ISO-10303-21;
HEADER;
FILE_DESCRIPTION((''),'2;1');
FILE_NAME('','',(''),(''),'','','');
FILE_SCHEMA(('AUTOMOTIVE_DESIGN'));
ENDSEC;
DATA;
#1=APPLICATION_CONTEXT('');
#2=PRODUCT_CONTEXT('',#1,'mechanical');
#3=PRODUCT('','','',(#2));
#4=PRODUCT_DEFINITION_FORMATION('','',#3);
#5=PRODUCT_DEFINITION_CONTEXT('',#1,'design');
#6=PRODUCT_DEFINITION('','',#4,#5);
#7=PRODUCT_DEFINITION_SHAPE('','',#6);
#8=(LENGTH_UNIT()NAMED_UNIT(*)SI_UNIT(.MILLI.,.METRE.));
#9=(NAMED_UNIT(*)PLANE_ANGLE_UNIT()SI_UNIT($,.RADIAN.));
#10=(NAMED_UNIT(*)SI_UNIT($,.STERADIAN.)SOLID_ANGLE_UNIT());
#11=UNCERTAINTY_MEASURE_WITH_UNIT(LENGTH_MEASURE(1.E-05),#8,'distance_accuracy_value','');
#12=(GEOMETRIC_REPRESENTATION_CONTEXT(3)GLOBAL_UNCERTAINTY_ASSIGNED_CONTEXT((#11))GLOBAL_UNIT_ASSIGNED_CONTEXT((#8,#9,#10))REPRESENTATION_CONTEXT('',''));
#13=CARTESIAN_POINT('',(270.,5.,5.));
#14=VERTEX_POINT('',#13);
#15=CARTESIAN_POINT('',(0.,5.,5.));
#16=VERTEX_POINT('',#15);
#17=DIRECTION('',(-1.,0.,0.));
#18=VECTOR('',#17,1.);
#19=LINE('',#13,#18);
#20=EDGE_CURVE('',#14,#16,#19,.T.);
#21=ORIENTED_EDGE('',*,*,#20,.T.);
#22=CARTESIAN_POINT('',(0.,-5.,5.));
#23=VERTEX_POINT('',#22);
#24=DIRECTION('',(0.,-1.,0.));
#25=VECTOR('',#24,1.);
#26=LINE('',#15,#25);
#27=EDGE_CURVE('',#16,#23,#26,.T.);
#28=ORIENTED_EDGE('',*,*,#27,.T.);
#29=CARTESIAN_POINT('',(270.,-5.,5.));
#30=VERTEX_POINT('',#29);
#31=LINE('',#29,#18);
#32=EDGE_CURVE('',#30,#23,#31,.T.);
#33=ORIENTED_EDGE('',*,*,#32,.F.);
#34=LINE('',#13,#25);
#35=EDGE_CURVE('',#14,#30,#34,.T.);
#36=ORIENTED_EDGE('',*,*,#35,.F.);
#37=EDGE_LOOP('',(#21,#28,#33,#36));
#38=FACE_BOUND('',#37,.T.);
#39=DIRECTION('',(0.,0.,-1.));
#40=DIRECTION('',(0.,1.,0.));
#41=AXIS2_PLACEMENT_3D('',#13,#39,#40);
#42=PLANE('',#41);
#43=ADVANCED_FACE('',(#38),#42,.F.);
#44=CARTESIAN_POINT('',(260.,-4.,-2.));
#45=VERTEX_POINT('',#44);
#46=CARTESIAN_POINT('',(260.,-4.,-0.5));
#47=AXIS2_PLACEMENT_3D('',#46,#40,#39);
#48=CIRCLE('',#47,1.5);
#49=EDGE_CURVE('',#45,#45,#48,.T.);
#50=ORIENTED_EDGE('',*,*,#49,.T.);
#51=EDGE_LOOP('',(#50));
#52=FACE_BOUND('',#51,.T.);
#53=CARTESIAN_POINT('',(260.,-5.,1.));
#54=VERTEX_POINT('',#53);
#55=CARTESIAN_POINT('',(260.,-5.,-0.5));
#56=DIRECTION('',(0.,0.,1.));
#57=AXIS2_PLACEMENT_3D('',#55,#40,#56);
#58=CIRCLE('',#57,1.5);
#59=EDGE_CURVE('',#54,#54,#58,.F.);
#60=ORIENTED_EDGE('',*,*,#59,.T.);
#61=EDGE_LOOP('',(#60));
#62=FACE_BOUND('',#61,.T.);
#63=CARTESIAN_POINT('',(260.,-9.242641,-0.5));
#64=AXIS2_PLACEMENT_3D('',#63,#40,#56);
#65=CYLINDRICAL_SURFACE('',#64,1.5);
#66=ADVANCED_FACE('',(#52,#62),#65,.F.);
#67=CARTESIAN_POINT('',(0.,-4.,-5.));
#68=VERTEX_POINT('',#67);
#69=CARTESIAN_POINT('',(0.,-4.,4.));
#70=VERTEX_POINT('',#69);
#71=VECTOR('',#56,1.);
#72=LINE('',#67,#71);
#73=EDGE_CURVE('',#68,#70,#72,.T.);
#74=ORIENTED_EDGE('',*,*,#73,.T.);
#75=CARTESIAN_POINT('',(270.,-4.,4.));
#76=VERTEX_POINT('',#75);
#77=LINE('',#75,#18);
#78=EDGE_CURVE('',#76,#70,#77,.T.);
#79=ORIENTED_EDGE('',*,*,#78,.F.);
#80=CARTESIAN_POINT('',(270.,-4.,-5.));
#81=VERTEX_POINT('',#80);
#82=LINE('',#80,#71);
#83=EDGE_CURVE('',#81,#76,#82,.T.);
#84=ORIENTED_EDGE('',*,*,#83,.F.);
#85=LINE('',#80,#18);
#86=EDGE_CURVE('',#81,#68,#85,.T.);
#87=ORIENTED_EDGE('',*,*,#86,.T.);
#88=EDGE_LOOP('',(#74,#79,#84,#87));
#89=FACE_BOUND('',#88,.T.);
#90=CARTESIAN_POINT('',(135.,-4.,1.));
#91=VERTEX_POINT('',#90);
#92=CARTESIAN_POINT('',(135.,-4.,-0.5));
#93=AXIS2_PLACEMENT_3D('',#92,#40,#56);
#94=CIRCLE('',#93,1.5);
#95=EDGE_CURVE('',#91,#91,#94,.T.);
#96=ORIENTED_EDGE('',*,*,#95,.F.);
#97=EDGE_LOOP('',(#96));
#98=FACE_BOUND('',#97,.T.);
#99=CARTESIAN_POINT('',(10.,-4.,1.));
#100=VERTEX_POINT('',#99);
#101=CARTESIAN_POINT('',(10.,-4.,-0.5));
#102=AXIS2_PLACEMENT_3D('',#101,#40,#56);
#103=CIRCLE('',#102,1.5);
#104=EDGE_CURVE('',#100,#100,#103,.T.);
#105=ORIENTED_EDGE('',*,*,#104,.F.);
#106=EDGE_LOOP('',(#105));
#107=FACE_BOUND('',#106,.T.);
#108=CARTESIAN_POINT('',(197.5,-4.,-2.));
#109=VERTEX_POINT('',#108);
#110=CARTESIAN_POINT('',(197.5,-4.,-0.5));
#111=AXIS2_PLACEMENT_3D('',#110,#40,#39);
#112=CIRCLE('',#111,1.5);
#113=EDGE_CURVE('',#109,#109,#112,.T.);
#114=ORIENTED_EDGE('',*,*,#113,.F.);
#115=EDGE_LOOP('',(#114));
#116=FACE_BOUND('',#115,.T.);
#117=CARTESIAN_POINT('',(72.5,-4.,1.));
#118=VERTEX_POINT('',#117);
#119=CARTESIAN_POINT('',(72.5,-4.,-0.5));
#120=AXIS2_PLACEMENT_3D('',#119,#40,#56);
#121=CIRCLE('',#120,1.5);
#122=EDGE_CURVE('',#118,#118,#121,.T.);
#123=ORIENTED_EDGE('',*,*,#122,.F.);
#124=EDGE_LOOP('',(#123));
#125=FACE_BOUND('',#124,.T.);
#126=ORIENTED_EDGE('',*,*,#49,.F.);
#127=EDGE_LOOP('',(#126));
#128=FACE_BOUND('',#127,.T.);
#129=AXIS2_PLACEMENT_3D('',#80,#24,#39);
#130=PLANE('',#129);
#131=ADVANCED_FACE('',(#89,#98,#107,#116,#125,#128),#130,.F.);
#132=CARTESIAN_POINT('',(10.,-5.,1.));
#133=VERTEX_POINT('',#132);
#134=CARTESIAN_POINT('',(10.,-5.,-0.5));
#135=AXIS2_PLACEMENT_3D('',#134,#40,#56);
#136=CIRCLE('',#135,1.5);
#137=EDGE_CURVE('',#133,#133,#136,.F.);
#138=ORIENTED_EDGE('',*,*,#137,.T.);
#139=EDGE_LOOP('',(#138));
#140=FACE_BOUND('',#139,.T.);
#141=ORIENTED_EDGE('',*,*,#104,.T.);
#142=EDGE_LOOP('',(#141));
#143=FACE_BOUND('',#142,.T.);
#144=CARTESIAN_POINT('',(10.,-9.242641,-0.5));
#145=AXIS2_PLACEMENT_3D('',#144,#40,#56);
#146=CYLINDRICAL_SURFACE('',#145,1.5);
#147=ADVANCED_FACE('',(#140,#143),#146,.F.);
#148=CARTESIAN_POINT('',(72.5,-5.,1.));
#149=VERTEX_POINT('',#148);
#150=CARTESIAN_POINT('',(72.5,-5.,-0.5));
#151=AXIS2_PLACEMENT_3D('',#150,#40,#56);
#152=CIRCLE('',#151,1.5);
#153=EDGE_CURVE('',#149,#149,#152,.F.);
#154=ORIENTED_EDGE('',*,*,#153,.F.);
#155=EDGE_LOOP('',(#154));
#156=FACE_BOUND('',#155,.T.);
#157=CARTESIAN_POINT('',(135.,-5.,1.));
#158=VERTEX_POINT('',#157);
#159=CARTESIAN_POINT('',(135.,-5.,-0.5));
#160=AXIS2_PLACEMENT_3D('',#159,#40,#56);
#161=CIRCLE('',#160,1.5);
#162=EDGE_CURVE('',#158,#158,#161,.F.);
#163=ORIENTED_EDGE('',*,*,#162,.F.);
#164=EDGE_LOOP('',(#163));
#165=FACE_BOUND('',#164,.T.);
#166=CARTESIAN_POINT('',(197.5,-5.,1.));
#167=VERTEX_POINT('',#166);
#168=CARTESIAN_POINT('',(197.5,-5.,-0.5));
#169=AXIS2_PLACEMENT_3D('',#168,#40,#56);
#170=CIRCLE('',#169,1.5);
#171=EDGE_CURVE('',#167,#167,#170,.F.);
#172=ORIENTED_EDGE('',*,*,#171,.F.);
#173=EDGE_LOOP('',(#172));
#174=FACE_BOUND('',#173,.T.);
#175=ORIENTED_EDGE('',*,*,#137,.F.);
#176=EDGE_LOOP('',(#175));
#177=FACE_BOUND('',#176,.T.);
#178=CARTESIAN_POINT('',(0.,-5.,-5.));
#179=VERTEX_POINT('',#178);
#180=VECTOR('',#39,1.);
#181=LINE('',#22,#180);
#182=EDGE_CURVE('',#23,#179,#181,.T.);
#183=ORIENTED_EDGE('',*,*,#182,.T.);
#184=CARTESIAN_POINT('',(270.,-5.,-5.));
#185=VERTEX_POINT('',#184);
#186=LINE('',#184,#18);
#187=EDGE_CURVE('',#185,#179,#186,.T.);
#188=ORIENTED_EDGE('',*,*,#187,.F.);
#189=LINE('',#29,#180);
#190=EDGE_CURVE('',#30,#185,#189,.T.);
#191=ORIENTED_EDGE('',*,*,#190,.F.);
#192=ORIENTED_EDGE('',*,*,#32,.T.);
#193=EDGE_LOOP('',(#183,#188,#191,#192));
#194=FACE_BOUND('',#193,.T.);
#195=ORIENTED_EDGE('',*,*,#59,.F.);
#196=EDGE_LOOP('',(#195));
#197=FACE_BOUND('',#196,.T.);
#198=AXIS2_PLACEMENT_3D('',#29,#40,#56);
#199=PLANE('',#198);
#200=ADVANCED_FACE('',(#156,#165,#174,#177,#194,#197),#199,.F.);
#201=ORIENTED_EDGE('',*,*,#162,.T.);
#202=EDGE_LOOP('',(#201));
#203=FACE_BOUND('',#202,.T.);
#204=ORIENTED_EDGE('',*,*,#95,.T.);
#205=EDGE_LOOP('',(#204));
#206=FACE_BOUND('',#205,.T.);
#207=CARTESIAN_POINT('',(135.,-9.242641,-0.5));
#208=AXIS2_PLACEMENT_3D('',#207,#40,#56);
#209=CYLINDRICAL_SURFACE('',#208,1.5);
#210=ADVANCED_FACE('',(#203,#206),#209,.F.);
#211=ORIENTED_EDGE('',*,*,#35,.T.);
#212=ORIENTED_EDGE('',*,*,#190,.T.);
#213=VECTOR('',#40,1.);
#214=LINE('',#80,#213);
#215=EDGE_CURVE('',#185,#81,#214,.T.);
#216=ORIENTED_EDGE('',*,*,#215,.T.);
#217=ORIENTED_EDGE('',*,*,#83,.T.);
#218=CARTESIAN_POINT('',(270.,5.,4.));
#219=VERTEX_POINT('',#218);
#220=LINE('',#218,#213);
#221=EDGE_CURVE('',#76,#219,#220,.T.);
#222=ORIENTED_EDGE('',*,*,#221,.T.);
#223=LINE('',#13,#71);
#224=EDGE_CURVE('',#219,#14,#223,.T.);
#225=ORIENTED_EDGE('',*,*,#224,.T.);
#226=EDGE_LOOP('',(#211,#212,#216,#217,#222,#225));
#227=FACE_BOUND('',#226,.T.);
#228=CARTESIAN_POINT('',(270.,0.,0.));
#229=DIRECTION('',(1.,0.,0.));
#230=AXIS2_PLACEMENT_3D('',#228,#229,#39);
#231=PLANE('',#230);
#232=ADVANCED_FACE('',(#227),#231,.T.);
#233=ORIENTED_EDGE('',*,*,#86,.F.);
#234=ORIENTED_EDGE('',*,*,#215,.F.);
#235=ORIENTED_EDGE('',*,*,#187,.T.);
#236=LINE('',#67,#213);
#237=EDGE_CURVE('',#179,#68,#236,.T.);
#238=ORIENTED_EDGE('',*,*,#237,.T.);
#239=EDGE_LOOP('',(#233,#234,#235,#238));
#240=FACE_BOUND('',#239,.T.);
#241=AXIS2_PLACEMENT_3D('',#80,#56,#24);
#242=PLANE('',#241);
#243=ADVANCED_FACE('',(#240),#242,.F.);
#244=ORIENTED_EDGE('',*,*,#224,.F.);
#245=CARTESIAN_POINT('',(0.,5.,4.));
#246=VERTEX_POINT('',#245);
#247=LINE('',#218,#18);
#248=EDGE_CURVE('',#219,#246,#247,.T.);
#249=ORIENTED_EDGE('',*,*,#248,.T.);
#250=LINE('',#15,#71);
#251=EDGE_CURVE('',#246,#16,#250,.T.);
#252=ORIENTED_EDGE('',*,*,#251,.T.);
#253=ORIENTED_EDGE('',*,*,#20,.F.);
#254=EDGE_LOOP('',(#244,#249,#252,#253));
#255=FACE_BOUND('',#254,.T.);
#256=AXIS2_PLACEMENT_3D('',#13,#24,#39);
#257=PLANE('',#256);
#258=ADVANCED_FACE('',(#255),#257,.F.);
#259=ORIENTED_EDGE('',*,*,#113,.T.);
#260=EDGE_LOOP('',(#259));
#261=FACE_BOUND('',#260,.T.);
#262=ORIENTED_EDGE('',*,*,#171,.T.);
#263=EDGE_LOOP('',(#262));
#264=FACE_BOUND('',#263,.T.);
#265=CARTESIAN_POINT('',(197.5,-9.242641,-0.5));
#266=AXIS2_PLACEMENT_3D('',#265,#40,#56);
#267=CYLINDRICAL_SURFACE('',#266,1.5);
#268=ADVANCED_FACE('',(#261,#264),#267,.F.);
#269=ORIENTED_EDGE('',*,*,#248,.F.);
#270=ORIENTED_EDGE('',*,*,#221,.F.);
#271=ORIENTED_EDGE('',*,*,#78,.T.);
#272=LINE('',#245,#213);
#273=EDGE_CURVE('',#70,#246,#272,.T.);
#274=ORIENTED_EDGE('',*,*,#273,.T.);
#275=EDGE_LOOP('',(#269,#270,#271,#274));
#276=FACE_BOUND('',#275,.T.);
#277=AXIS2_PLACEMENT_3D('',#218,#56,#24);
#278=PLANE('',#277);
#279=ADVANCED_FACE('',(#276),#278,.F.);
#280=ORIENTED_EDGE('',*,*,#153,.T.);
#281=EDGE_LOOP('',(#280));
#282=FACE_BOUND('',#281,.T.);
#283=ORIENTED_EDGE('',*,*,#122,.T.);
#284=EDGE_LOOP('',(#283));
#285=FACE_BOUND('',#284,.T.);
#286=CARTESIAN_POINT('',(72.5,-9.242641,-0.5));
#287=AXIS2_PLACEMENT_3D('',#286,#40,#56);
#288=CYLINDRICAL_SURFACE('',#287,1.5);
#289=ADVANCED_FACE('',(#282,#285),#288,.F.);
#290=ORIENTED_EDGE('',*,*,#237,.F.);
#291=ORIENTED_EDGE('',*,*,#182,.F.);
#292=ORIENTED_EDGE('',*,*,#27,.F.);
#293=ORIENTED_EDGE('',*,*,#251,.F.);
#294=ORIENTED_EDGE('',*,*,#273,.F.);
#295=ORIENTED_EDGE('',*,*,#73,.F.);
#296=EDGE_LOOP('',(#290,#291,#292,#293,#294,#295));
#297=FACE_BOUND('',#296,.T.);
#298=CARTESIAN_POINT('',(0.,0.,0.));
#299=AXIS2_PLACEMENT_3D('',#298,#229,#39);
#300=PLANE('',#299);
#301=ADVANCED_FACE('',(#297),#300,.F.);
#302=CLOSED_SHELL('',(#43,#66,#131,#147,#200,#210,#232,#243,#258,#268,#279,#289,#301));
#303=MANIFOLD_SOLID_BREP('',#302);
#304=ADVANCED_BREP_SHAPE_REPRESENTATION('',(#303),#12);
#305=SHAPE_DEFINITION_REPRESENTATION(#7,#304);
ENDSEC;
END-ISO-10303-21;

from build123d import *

# Parameters (mm, degrees)
EXTRUDE_1_DEPTH     = 270
SKETCH_2_R          = 1.5
CUT_EXTRUDE_1_DEPTH = 1


with BuildPart() as part:
    # Эскиз1 → Бобышка-Вытянуть1 (new body)
    with BuildSketch(Plane(origin=(0, 0, 0), x_dir=(0, 0, -1), z_dir=(1, 0, 0))):
        Polygon((-5, 5), (-4, 5), (-4, -4), (5, -4), (5, -5), (-5, -5), align=None)
    extrude(amount=EXTRUDE_1_DEPTH)

    # Эскиз2 → Вырез-Вытянуть1 (cut)
    with BuildSketch(Plane(origin=(0, -4, 0), x_dir=(1, 0, 0), z_dir=(0, 1, 0))):
        with Locations(Location((135, 0.5, 0), (0, 0, 270))):
            Circle(SKETCH_2_R)
        with Locations(Location((72.5, 0.5, 0), (0, 0, 270))):
            Circle(SKETCH_2_R)
        with Locations(Location((10, 0.5, 0), (0, 0, 270))):
            Circle(SKETCH_2_R)
        with Locations(Location((260, 0.5, 0), (0, 0, 270))):
            Circle(SKETCH_2_R)
        with Locations(Location((197.5, 0.5, 0), (0, 0, 270))):
            Circle(SKETCH_2_R)
    extrude(amount=-CUT_EXTRUDE_1_DEPTH, mode=Mode.SUBTRACT)


solid = part.part
